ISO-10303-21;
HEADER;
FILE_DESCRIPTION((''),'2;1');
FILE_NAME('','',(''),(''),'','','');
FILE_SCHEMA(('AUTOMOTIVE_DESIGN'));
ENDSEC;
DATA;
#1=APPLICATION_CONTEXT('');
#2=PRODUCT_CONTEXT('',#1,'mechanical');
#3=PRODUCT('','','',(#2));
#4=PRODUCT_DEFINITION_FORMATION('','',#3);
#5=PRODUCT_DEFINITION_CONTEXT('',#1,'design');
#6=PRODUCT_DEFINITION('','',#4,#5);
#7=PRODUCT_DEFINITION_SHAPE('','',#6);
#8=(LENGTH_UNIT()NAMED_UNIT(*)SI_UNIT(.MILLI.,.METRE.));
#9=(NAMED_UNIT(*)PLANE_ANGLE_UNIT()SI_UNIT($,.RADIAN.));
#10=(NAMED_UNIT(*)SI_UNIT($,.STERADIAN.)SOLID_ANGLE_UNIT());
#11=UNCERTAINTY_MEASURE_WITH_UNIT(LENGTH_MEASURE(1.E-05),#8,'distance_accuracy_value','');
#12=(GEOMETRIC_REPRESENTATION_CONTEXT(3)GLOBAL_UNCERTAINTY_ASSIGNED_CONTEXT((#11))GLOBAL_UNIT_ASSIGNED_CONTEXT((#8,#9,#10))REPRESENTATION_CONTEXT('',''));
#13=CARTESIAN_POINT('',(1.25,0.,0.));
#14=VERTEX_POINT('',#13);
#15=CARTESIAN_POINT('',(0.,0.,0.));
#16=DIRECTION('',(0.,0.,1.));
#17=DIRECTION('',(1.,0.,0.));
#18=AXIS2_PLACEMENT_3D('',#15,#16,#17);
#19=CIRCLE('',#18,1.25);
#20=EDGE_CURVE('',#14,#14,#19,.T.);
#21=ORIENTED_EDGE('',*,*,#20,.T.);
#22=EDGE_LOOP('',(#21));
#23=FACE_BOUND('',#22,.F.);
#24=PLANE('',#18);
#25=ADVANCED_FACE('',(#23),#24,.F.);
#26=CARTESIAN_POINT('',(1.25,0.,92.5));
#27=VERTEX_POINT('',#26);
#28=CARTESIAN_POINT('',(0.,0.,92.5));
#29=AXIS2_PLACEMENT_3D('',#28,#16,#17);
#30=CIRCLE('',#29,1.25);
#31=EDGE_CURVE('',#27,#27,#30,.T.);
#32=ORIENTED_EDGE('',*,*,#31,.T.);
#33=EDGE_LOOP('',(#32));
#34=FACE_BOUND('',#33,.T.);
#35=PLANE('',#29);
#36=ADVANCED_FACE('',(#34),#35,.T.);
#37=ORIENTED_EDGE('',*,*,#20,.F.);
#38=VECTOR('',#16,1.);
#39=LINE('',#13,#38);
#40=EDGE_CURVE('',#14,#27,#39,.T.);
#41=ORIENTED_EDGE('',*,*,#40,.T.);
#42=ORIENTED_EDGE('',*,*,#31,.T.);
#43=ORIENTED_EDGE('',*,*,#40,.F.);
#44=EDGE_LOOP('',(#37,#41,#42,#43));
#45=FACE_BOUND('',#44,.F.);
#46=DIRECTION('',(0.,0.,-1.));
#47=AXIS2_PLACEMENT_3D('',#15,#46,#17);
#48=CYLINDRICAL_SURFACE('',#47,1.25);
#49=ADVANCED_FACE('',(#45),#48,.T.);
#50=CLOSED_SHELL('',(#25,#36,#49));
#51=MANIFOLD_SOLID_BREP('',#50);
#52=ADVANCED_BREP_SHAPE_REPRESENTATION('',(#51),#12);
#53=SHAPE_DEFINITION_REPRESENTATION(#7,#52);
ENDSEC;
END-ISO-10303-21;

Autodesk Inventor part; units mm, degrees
ref_plane "YZ Plane" through (0, 0, 0) normal (1, 0, 0) x (0, 1, 0)
ref_plane "XZ Plane" through (0, 0, 0) normal (0, 1, 0) x (-1, 0, 0)
ref_plane "XY Plane" through (0, 0, 0) normal (0, 0, 1) x (1, 0, 0)
sketch "Sketch1" plane through (0, 0, 0) normal (0, 0, 1) x (1, 0, 0)
  circle A0 centre (0, 0) radius 1.25
  dimension "d0" = 2.5
  dimension "d0" = 2.5
extrude "Extrusion1" add sketch "Sketch1" along normal blind 92.5
properties part number "riel"
